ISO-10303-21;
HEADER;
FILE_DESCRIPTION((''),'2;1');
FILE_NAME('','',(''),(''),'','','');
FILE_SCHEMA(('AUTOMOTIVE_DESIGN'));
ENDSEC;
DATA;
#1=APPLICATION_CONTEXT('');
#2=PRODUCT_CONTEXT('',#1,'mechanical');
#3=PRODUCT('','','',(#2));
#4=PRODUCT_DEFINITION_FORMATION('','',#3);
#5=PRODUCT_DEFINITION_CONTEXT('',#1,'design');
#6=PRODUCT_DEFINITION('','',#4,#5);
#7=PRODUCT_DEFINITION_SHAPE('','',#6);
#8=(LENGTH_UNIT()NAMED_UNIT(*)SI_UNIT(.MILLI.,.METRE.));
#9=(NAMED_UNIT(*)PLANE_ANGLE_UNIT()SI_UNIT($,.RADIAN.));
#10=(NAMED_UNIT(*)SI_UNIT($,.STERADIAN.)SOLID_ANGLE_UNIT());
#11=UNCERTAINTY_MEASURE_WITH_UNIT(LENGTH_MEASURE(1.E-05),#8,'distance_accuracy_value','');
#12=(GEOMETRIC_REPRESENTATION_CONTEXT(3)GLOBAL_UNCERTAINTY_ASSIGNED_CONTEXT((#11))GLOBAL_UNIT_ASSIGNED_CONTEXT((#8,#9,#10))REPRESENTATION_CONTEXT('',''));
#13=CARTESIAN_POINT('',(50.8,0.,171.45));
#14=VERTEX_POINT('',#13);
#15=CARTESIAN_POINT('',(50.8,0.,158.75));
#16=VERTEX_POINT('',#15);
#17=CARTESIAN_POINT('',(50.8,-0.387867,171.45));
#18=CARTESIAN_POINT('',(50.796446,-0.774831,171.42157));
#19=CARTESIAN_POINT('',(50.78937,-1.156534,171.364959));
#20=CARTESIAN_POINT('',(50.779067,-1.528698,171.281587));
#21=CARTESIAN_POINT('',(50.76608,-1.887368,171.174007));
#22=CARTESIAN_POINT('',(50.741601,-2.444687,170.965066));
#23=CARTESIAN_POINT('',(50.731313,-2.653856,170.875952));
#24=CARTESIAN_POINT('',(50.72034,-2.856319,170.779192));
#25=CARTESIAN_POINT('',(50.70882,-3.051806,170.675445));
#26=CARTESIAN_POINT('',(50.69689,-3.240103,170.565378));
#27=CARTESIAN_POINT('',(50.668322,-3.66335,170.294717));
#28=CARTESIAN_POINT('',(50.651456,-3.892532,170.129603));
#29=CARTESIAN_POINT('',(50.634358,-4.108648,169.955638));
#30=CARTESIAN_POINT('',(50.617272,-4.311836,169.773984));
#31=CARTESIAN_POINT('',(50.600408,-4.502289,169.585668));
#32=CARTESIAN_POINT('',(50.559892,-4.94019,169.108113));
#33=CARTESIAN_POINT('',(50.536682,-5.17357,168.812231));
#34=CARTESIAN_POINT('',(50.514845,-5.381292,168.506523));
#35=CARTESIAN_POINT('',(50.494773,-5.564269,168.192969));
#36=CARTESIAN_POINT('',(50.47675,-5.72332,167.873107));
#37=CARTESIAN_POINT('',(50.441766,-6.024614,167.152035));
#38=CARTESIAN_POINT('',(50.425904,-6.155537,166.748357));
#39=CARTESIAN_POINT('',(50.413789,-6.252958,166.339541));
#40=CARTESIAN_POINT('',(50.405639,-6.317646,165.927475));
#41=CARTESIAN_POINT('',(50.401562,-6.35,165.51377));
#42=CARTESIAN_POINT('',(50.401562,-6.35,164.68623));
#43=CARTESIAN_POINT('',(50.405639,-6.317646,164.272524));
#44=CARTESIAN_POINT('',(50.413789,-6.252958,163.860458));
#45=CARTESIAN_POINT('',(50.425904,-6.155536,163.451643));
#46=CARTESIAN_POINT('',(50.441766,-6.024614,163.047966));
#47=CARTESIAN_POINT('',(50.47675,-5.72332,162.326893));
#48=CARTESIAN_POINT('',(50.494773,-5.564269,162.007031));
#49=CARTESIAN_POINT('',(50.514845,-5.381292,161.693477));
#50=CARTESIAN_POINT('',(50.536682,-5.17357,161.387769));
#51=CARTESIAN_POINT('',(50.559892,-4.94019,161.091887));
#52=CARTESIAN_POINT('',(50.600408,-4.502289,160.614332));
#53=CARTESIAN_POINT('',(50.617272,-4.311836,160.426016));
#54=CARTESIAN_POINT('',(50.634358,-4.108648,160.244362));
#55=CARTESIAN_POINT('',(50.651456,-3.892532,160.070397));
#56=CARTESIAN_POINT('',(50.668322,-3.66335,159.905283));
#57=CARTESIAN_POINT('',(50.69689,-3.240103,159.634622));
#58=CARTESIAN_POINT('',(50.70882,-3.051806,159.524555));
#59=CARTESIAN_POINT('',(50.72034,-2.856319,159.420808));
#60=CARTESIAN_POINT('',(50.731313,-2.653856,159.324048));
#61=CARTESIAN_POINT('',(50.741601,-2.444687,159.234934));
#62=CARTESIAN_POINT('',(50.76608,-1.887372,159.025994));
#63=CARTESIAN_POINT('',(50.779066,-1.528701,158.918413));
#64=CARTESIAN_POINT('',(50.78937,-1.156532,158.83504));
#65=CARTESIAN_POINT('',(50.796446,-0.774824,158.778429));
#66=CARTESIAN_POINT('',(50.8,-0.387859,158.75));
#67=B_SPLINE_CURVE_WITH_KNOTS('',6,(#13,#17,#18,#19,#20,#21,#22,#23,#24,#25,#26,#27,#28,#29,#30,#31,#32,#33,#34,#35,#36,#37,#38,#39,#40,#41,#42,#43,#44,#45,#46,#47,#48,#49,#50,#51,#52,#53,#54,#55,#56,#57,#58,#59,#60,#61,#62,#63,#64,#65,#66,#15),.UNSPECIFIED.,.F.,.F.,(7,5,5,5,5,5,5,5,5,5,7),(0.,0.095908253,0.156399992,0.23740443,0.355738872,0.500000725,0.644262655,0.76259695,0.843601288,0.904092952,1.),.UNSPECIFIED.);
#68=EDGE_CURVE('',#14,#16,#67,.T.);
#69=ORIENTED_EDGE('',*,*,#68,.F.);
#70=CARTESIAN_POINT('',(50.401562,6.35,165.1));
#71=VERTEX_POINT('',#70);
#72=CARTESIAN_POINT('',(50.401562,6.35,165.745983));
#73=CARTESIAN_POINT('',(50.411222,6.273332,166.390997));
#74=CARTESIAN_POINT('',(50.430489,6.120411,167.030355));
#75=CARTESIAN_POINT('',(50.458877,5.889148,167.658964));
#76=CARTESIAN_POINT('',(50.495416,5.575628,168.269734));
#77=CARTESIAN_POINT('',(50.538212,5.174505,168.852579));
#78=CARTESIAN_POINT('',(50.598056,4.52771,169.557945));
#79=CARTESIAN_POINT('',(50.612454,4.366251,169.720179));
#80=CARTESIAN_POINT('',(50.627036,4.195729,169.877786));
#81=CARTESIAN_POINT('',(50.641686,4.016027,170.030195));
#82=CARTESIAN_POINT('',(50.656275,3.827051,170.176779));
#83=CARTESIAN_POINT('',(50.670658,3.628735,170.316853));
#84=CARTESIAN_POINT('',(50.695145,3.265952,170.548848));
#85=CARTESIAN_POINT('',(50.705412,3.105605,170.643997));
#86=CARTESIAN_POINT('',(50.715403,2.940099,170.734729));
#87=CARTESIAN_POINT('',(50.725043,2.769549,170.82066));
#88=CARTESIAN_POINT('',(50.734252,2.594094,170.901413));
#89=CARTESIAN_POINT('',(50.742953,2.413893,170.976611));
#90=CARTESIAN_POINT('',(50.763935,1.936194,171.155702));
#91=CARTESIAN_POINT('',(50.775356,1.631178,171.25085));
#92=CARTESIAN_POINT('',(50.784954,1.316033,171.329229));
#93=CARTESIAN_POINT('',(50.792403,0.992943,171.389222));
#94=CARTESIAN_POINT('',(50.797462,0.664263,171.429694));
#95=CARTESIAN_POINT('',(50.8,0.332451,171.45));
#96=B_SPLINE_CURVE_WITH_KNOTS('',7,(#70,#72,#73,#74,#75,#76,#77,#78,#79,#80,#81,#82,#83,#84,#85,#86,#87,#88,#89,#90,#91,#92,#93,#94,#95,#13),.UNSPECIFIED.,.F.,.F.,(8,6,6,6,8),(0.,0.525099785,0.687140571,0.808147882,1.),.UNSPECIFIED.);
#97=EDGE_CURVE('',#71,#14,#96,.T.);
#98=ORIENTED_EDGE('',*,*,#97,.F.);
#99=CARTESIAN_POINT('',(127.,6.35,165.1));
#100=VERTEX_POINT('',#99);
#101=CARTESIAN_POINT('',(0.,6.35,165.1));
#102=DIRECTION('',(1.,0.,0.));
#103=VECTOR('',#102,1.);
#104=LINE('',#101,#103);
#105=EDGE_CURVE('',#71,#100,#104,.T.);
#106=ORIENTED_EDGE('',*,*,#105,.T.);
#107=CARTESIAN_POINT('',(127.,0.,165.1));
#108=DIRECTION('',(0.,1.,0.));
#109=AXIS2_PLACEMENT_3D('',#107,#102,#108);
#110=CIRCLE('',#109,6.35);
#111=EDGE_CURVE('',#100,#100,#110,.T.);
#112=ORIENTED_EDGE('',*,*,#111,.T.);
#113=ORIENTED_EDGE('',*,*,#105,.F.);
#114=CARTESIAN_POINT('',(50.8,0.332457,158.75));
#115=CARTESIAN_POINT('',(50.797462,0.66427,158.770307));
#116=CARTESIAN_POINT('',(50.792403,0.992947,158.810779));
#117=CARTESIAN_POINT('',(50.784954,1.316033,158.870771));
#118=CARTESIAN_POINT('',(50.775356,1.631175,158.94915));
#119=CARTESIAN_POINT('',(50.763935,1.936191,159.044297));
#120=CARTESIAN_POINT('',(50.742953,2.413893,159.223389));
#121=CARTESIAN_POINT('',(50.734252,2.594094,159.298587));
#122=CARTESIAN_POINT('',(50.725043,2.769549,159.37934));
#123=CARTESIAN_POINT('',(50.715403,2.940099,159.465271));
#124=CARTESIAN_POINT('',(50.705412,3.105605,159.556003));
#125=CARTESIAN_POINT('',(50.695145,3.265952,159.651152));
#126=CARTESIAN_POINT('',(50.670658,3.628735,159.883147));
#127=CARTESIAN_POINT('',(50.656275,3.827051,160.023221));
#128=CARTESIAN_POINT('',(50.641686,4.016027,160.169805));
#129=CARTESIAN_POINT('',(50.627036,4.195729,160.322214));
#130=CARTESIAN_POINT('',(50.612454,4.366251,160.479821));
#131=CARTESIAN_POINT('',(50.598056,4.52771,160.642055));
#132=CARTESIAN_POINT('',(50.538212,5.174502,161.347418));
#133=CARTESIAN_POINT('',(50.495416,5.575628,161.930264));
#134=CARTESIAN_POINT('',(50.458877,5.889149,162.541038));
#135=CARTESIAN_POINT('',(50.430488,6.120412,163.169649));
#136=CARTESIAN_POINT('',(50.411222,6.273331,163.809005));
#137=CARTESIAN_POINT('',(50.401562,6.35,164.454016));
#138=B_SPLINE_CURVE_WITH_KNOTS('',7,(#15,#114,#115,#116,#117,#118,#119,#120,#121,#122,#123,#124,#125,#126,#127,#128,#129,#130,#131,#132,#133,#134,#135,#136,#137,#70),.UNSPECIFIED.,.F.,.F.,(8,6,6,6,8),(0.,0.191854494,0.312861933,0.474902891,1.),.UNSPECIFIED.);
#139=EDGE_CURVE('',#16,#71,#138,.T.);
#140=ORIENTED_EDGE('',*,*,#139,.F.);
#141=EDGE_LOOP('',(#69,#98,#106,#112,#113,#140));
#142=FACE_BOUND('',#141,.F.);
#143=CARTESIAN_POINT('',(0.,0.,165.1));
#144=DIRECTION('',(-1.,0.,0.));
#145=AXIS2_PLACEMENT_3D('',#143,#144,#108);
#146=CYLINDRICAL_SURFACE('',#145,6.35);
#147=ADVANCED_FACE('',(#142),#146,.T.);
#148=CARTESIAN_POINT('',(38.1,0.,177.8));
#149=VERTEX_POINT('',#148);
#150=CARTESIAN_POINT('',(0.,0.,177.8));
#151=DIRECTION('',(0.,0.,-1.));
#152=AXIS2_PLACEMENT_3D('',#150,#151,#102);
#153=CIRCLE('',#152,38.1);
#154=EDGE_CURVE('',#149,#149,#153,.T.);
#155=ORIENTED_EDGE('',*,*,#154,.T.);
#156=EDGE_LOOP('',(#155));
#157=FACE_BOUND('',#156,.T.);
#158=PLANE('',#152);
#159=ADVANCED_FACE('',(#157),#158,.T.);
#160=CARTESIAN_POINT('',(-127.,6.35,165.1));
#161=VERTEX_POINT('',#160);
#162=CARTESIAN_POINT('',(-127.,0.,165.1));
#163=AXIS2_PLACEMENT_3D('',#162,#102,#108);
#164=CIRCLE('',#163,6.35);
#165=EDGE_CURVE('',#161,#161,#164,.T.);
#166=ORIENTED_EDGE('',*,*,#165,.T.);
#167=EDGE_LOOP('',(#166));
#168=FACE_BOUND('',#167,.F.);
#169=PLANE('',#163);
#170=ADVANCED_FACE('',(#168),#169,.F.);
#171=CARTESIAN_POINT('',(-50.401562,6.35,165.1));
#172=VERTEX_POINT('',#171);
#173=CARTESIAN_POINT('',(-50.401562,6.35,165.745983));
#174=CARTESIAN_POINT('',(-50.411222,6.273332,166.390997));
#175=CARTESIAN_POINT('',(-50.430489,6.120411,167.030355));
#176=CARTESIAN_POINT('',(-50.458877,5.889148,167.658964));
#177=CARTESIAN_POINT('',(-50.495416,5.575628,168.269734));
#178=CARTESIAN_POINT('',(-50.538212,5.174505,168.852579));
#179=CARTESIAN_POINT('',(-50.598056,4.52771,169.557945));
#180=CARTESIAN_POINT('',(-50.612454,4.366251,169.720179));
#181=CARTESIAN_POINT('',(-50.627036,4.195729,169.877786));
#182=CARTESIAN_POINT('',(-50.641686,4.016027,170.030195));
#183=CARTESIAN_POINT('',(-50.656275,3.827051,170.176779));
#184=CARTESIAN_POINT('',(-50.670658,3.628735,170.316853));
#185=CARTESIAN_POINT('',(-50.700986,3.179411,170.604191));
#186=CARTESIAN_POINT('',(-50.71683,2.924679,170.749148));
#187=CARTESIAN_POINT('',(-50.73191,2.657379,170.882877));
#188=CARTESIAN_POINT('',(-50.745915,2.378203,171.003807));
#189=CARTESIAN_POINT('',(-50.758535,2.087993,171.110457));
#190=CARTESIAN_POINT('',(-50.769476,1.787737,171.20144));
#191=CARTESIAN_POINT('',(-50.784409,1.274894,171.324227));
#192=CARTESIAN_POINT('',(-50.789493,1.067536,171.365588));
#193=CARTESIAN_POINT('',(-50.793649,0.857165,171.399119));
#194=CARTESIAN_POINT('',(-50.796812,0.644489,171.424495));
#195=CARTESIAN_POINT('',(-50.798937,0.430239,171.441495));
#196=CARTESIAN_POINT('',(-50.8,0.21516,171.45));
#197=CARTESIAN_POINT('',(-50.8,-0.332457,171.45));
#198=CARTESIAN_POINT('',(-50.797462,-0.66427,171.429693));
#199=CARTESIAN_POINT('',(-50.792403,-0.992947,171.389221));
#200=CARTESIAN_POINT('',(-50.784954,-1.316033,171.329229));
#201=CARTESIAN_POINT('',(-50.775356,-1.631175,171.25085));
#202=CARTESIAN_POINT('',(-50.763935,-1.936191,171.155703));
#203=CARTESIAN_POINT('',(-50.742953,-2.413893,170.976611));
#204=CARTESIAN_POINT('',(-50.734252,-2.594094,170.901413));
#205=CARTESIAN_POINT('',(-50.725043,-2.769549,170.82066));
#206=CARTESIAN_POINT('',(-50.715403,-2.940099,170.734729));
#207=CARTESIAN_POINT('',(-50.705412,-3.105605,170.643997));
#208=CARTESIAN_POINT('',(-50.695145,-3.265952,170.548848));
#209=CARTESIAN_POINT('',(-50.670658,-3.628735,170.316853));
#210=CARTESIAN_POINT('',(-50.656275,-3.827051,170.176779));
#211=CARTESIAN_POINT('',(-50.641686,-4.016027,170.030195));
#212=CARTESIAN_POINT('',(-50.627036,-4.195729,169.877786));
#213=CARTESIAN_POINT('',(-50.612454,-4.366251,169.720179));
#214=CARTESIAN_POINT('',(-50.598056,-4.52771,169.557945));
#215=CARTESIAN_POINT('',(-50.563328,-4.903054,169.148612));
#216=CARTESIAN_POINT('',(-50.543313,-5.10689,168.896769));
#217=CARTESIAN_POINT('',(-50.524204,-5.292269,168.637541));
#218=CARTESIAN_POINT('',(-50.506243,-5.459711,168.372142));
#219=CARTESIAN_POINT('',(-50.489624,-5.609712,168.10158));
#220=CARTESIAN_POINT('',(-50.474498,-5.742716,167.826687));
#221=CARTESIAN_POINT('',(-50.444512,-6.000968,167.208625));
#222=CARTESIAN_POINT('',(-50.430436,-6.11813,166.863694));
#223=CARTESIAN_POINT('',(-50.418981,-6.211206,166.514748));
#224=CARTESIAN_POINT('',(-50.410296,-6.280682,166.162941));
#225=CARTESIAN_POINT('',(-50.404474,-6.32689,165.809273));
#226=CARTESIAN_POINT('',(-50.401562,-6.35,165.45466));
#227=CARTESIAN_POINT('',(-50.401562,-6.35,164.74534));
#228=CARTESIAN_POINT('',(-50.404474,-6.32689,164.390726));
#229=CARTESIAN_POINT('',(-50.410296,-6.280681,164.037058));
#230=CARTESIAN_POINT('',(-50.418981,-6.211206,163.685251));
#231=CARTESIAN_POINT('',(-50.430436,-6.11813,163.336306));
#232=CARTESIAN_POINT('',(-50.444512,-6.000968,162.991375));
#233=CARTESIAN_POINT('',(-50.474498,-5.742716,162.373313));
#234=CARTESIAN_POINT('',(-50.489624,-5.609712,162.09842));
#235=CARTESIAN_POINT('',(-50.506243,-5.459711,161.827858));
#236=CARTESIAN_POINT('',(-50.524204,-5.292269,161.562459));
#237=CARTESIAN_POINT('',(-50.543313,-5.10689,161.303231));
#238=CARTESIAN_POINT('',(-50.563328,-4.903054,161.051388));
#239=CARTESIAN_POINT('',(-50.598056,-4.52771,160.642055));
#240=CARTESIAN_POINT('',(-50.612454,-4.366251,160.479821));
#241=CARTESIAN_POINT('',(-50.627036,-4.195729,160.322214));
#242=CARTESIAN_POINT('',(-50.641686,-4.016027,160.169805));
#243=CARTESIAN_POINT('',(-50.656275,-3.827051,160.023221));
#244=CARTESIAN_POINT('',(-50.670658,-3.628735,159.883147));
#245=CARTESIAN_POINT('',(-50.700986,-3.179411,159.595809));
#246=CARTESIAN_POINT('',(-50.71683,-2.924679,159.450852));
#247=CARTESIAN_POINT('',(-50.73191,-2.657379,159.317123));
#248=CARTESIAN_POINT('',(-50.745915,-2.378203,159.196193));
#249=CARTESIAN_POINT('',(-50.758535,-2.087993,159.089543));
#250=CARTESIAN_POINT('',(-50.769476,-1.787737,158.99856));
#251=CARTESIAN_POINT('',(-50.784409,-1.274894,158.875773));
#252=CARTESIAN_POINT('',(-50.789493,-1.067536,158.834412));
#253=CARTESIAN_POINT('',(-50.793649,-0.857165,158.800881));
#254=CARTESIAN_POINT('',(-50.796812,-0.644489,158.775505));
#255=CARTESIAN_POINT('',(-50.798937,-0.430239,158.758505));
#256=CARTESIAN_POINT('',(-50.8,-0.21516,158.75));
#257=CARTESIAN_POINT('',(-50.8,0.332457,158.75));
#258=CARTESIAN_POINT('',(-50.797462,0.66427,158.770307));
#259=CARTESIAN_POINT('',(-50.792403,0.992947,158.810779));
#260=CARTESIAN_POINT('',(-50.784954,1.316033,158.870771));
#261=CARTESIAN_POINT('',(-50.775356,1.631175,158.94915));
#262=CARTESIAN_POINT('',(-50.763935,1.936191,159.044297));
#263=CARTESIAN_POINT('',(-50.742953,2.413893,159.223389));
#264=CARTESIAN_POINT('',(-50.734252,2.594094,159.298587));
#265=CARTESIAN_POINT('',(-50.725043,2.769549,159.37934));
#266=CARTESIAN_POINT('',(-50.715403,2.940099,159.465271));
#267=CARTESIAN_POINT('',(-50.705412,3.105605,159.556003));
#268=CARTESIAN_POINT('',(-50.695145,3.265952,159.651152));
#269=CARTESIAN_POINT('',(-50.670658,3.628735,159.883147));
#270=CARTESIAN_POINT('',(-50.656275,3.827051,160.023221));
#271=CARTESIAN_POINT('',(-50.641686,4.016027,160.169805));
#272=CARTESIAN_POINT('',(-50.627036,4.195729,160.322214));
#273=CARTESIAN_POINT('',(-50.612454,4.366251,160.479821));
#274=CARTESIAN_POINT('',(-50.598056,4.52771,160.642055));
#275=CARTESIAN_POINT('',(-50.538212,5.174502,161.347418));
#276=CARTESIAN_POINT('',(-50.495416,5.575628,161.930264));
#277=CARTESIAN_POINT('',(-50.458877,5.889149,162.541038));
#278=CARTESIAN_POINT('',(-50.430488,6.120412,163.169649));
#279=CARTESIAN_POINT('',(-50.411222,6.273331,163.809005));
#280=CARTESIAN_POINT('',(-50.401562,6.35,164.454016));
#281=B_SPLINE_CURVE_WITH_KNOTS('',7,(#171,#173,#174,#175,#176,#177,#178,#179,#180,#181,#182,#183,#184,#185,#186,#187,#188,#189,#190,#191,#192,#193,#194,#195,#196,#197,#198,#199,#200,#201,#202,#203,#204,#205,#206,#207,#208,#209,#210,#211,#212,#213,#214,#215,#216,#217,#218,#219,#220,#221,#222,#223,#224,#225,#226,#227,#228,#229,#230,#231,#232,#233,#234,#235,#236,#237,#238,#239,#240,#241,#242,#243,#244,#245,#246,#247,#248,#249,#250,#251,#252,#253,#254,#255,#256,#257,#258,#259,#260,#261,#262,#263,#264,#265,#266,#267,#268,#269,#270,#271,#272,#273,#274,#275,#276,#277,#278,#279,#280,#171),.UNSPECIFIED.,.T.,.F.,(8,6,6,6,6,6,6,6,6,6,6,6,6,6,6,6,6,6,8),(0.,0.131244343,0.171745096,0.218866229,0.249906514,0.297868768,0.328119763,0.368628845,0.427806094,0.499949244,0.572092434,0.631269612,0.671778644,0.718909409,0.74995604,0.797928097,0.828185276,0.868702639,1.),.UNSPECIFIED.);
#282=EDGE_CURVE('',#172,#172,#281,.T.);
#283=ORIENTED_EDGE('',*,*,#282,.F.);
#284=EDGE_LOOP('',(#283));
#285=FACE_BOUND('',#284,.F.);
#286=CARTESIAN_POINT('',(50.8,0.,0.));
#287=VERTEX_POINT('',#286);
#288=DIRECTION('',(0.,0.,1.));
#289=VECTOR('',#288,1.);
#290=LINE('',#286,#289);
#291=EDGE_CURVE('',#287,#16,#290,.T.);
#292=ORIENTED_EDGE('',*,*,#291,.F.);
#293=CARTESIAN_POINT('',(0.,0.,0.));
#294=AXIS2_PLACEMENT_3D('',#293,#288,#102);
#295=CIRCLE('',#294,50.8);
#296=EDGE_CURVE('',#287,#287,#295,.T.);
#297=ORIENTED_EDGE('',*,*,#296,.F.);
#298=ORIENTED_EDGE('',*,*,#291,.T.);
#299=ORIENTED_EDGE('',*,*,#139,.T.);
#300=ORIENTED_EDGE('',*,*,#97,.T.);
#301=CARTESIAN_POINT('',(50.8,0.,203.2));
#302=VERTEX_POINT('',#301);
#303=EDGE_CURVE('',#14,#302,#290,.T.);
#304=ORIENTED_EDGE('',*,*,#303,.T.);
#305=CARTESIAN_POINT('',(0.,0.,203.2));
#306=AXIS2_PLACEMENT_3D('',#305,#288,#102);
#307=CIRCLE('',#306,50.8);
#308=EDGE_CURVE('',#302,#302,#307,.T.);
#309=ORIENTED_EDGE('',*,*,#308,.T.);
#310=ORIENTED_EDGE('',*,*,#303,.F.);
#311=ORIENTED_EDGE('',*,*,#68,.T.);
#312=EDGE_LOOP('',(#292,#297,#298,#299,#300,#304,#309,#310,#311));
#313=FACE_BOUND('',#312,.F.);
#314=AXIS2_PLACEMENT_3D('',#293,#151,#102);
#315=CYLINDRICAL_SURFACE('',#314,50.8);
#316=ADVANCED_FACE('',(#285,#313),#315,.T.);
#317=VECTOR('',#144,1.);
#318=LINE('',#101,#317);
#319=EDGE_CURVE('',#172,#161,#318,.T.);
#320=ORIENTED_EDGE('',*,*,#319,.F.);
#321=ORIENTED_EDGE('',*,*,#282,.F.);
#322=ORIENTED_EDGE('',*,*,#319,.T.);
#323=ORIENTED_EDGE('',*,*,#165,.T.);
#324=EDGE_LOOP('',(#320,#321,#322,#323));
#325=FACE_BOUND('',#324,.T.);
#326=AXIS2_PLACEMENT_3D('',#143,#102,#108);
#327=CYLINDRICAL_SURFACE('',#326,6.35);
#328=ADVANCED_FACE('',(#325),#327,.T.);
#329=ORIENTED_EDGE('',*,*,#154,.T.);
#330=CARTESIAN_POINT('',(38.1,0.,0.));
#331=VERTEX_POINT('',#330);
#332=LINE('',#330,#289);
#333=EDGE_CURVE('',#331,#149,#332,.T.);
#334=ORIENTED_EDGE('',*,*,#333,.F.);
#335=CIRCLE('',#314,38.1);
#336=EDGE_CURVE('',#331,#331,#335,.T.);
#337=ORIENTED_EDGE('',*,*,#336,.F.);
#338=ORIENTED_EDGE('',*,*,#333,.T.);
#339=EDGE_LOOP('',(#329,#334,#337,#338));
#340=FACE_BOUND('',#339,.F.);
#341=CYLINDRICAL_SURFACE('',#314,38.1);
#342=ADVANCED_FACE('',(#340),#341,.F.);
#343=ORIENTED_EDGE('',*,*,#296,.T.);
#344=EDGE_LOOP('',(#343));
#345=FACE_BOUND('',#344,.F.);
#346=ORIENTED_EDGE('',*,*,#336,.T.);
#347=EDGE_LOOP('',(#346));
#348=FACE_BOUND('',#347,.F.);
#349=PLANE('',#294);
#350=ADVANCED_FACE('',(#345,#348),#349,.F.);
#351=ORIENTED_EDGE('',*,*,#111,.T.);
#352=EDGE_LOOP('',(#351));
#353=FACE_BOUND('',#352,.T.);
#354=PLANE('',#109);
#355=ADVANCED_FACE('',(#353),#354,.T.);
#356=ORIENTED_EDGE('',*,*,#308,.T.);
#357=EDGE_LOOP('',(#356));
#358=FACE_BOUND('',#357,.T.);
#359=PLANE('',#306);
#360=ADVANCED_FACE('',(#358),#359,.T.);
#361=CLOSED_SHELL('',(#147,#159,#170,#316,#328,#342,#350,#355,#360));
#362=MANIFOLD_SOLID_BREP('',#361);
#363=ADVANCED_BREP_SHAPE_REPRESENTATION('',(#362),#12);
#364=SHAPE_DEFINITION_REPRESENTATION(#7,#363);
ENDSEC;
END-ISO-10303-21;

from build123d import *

# Parameters (mm, degrees)
F0_R          = 50.8
F1_DEPTH      = 203.2
F2_R          = 6.35
F3_DEPTH      = 127
F3_DEPTH_BACK = 127
F4_R          = 38.1
F5_DEPTH      = 177.8


with BuildPart() as f1:
    # F0 (on Top) → F1 (new body)
    with BuildSketch(Plane.XY):
        Circle(F0_R)
    extrude(amount=F1_DEPTH)

    # F2 (on Right) → F3 (join, two sides)
    with BuildSketch(Plane.YZ) as f3_sk:
        with Locations((0, 165.1)):
            Circle(F2_R)
    extrude(amount=F3_DEPTH)
    extrude(f3_sk.sketch, amount=-F3_DEPTH_BACK)

    # F4 (on face) → F5 (cut)
    with BuildSketch(Plane(origin=(0, 0, 0), x_dir=(1, 0, 0), z_dir=(0, 0, -1))):
        Circle(F4_R)
    extrude(amount=-F5_DEPTH, mode=Mode.SUBTRACT)


solid = f1.part
